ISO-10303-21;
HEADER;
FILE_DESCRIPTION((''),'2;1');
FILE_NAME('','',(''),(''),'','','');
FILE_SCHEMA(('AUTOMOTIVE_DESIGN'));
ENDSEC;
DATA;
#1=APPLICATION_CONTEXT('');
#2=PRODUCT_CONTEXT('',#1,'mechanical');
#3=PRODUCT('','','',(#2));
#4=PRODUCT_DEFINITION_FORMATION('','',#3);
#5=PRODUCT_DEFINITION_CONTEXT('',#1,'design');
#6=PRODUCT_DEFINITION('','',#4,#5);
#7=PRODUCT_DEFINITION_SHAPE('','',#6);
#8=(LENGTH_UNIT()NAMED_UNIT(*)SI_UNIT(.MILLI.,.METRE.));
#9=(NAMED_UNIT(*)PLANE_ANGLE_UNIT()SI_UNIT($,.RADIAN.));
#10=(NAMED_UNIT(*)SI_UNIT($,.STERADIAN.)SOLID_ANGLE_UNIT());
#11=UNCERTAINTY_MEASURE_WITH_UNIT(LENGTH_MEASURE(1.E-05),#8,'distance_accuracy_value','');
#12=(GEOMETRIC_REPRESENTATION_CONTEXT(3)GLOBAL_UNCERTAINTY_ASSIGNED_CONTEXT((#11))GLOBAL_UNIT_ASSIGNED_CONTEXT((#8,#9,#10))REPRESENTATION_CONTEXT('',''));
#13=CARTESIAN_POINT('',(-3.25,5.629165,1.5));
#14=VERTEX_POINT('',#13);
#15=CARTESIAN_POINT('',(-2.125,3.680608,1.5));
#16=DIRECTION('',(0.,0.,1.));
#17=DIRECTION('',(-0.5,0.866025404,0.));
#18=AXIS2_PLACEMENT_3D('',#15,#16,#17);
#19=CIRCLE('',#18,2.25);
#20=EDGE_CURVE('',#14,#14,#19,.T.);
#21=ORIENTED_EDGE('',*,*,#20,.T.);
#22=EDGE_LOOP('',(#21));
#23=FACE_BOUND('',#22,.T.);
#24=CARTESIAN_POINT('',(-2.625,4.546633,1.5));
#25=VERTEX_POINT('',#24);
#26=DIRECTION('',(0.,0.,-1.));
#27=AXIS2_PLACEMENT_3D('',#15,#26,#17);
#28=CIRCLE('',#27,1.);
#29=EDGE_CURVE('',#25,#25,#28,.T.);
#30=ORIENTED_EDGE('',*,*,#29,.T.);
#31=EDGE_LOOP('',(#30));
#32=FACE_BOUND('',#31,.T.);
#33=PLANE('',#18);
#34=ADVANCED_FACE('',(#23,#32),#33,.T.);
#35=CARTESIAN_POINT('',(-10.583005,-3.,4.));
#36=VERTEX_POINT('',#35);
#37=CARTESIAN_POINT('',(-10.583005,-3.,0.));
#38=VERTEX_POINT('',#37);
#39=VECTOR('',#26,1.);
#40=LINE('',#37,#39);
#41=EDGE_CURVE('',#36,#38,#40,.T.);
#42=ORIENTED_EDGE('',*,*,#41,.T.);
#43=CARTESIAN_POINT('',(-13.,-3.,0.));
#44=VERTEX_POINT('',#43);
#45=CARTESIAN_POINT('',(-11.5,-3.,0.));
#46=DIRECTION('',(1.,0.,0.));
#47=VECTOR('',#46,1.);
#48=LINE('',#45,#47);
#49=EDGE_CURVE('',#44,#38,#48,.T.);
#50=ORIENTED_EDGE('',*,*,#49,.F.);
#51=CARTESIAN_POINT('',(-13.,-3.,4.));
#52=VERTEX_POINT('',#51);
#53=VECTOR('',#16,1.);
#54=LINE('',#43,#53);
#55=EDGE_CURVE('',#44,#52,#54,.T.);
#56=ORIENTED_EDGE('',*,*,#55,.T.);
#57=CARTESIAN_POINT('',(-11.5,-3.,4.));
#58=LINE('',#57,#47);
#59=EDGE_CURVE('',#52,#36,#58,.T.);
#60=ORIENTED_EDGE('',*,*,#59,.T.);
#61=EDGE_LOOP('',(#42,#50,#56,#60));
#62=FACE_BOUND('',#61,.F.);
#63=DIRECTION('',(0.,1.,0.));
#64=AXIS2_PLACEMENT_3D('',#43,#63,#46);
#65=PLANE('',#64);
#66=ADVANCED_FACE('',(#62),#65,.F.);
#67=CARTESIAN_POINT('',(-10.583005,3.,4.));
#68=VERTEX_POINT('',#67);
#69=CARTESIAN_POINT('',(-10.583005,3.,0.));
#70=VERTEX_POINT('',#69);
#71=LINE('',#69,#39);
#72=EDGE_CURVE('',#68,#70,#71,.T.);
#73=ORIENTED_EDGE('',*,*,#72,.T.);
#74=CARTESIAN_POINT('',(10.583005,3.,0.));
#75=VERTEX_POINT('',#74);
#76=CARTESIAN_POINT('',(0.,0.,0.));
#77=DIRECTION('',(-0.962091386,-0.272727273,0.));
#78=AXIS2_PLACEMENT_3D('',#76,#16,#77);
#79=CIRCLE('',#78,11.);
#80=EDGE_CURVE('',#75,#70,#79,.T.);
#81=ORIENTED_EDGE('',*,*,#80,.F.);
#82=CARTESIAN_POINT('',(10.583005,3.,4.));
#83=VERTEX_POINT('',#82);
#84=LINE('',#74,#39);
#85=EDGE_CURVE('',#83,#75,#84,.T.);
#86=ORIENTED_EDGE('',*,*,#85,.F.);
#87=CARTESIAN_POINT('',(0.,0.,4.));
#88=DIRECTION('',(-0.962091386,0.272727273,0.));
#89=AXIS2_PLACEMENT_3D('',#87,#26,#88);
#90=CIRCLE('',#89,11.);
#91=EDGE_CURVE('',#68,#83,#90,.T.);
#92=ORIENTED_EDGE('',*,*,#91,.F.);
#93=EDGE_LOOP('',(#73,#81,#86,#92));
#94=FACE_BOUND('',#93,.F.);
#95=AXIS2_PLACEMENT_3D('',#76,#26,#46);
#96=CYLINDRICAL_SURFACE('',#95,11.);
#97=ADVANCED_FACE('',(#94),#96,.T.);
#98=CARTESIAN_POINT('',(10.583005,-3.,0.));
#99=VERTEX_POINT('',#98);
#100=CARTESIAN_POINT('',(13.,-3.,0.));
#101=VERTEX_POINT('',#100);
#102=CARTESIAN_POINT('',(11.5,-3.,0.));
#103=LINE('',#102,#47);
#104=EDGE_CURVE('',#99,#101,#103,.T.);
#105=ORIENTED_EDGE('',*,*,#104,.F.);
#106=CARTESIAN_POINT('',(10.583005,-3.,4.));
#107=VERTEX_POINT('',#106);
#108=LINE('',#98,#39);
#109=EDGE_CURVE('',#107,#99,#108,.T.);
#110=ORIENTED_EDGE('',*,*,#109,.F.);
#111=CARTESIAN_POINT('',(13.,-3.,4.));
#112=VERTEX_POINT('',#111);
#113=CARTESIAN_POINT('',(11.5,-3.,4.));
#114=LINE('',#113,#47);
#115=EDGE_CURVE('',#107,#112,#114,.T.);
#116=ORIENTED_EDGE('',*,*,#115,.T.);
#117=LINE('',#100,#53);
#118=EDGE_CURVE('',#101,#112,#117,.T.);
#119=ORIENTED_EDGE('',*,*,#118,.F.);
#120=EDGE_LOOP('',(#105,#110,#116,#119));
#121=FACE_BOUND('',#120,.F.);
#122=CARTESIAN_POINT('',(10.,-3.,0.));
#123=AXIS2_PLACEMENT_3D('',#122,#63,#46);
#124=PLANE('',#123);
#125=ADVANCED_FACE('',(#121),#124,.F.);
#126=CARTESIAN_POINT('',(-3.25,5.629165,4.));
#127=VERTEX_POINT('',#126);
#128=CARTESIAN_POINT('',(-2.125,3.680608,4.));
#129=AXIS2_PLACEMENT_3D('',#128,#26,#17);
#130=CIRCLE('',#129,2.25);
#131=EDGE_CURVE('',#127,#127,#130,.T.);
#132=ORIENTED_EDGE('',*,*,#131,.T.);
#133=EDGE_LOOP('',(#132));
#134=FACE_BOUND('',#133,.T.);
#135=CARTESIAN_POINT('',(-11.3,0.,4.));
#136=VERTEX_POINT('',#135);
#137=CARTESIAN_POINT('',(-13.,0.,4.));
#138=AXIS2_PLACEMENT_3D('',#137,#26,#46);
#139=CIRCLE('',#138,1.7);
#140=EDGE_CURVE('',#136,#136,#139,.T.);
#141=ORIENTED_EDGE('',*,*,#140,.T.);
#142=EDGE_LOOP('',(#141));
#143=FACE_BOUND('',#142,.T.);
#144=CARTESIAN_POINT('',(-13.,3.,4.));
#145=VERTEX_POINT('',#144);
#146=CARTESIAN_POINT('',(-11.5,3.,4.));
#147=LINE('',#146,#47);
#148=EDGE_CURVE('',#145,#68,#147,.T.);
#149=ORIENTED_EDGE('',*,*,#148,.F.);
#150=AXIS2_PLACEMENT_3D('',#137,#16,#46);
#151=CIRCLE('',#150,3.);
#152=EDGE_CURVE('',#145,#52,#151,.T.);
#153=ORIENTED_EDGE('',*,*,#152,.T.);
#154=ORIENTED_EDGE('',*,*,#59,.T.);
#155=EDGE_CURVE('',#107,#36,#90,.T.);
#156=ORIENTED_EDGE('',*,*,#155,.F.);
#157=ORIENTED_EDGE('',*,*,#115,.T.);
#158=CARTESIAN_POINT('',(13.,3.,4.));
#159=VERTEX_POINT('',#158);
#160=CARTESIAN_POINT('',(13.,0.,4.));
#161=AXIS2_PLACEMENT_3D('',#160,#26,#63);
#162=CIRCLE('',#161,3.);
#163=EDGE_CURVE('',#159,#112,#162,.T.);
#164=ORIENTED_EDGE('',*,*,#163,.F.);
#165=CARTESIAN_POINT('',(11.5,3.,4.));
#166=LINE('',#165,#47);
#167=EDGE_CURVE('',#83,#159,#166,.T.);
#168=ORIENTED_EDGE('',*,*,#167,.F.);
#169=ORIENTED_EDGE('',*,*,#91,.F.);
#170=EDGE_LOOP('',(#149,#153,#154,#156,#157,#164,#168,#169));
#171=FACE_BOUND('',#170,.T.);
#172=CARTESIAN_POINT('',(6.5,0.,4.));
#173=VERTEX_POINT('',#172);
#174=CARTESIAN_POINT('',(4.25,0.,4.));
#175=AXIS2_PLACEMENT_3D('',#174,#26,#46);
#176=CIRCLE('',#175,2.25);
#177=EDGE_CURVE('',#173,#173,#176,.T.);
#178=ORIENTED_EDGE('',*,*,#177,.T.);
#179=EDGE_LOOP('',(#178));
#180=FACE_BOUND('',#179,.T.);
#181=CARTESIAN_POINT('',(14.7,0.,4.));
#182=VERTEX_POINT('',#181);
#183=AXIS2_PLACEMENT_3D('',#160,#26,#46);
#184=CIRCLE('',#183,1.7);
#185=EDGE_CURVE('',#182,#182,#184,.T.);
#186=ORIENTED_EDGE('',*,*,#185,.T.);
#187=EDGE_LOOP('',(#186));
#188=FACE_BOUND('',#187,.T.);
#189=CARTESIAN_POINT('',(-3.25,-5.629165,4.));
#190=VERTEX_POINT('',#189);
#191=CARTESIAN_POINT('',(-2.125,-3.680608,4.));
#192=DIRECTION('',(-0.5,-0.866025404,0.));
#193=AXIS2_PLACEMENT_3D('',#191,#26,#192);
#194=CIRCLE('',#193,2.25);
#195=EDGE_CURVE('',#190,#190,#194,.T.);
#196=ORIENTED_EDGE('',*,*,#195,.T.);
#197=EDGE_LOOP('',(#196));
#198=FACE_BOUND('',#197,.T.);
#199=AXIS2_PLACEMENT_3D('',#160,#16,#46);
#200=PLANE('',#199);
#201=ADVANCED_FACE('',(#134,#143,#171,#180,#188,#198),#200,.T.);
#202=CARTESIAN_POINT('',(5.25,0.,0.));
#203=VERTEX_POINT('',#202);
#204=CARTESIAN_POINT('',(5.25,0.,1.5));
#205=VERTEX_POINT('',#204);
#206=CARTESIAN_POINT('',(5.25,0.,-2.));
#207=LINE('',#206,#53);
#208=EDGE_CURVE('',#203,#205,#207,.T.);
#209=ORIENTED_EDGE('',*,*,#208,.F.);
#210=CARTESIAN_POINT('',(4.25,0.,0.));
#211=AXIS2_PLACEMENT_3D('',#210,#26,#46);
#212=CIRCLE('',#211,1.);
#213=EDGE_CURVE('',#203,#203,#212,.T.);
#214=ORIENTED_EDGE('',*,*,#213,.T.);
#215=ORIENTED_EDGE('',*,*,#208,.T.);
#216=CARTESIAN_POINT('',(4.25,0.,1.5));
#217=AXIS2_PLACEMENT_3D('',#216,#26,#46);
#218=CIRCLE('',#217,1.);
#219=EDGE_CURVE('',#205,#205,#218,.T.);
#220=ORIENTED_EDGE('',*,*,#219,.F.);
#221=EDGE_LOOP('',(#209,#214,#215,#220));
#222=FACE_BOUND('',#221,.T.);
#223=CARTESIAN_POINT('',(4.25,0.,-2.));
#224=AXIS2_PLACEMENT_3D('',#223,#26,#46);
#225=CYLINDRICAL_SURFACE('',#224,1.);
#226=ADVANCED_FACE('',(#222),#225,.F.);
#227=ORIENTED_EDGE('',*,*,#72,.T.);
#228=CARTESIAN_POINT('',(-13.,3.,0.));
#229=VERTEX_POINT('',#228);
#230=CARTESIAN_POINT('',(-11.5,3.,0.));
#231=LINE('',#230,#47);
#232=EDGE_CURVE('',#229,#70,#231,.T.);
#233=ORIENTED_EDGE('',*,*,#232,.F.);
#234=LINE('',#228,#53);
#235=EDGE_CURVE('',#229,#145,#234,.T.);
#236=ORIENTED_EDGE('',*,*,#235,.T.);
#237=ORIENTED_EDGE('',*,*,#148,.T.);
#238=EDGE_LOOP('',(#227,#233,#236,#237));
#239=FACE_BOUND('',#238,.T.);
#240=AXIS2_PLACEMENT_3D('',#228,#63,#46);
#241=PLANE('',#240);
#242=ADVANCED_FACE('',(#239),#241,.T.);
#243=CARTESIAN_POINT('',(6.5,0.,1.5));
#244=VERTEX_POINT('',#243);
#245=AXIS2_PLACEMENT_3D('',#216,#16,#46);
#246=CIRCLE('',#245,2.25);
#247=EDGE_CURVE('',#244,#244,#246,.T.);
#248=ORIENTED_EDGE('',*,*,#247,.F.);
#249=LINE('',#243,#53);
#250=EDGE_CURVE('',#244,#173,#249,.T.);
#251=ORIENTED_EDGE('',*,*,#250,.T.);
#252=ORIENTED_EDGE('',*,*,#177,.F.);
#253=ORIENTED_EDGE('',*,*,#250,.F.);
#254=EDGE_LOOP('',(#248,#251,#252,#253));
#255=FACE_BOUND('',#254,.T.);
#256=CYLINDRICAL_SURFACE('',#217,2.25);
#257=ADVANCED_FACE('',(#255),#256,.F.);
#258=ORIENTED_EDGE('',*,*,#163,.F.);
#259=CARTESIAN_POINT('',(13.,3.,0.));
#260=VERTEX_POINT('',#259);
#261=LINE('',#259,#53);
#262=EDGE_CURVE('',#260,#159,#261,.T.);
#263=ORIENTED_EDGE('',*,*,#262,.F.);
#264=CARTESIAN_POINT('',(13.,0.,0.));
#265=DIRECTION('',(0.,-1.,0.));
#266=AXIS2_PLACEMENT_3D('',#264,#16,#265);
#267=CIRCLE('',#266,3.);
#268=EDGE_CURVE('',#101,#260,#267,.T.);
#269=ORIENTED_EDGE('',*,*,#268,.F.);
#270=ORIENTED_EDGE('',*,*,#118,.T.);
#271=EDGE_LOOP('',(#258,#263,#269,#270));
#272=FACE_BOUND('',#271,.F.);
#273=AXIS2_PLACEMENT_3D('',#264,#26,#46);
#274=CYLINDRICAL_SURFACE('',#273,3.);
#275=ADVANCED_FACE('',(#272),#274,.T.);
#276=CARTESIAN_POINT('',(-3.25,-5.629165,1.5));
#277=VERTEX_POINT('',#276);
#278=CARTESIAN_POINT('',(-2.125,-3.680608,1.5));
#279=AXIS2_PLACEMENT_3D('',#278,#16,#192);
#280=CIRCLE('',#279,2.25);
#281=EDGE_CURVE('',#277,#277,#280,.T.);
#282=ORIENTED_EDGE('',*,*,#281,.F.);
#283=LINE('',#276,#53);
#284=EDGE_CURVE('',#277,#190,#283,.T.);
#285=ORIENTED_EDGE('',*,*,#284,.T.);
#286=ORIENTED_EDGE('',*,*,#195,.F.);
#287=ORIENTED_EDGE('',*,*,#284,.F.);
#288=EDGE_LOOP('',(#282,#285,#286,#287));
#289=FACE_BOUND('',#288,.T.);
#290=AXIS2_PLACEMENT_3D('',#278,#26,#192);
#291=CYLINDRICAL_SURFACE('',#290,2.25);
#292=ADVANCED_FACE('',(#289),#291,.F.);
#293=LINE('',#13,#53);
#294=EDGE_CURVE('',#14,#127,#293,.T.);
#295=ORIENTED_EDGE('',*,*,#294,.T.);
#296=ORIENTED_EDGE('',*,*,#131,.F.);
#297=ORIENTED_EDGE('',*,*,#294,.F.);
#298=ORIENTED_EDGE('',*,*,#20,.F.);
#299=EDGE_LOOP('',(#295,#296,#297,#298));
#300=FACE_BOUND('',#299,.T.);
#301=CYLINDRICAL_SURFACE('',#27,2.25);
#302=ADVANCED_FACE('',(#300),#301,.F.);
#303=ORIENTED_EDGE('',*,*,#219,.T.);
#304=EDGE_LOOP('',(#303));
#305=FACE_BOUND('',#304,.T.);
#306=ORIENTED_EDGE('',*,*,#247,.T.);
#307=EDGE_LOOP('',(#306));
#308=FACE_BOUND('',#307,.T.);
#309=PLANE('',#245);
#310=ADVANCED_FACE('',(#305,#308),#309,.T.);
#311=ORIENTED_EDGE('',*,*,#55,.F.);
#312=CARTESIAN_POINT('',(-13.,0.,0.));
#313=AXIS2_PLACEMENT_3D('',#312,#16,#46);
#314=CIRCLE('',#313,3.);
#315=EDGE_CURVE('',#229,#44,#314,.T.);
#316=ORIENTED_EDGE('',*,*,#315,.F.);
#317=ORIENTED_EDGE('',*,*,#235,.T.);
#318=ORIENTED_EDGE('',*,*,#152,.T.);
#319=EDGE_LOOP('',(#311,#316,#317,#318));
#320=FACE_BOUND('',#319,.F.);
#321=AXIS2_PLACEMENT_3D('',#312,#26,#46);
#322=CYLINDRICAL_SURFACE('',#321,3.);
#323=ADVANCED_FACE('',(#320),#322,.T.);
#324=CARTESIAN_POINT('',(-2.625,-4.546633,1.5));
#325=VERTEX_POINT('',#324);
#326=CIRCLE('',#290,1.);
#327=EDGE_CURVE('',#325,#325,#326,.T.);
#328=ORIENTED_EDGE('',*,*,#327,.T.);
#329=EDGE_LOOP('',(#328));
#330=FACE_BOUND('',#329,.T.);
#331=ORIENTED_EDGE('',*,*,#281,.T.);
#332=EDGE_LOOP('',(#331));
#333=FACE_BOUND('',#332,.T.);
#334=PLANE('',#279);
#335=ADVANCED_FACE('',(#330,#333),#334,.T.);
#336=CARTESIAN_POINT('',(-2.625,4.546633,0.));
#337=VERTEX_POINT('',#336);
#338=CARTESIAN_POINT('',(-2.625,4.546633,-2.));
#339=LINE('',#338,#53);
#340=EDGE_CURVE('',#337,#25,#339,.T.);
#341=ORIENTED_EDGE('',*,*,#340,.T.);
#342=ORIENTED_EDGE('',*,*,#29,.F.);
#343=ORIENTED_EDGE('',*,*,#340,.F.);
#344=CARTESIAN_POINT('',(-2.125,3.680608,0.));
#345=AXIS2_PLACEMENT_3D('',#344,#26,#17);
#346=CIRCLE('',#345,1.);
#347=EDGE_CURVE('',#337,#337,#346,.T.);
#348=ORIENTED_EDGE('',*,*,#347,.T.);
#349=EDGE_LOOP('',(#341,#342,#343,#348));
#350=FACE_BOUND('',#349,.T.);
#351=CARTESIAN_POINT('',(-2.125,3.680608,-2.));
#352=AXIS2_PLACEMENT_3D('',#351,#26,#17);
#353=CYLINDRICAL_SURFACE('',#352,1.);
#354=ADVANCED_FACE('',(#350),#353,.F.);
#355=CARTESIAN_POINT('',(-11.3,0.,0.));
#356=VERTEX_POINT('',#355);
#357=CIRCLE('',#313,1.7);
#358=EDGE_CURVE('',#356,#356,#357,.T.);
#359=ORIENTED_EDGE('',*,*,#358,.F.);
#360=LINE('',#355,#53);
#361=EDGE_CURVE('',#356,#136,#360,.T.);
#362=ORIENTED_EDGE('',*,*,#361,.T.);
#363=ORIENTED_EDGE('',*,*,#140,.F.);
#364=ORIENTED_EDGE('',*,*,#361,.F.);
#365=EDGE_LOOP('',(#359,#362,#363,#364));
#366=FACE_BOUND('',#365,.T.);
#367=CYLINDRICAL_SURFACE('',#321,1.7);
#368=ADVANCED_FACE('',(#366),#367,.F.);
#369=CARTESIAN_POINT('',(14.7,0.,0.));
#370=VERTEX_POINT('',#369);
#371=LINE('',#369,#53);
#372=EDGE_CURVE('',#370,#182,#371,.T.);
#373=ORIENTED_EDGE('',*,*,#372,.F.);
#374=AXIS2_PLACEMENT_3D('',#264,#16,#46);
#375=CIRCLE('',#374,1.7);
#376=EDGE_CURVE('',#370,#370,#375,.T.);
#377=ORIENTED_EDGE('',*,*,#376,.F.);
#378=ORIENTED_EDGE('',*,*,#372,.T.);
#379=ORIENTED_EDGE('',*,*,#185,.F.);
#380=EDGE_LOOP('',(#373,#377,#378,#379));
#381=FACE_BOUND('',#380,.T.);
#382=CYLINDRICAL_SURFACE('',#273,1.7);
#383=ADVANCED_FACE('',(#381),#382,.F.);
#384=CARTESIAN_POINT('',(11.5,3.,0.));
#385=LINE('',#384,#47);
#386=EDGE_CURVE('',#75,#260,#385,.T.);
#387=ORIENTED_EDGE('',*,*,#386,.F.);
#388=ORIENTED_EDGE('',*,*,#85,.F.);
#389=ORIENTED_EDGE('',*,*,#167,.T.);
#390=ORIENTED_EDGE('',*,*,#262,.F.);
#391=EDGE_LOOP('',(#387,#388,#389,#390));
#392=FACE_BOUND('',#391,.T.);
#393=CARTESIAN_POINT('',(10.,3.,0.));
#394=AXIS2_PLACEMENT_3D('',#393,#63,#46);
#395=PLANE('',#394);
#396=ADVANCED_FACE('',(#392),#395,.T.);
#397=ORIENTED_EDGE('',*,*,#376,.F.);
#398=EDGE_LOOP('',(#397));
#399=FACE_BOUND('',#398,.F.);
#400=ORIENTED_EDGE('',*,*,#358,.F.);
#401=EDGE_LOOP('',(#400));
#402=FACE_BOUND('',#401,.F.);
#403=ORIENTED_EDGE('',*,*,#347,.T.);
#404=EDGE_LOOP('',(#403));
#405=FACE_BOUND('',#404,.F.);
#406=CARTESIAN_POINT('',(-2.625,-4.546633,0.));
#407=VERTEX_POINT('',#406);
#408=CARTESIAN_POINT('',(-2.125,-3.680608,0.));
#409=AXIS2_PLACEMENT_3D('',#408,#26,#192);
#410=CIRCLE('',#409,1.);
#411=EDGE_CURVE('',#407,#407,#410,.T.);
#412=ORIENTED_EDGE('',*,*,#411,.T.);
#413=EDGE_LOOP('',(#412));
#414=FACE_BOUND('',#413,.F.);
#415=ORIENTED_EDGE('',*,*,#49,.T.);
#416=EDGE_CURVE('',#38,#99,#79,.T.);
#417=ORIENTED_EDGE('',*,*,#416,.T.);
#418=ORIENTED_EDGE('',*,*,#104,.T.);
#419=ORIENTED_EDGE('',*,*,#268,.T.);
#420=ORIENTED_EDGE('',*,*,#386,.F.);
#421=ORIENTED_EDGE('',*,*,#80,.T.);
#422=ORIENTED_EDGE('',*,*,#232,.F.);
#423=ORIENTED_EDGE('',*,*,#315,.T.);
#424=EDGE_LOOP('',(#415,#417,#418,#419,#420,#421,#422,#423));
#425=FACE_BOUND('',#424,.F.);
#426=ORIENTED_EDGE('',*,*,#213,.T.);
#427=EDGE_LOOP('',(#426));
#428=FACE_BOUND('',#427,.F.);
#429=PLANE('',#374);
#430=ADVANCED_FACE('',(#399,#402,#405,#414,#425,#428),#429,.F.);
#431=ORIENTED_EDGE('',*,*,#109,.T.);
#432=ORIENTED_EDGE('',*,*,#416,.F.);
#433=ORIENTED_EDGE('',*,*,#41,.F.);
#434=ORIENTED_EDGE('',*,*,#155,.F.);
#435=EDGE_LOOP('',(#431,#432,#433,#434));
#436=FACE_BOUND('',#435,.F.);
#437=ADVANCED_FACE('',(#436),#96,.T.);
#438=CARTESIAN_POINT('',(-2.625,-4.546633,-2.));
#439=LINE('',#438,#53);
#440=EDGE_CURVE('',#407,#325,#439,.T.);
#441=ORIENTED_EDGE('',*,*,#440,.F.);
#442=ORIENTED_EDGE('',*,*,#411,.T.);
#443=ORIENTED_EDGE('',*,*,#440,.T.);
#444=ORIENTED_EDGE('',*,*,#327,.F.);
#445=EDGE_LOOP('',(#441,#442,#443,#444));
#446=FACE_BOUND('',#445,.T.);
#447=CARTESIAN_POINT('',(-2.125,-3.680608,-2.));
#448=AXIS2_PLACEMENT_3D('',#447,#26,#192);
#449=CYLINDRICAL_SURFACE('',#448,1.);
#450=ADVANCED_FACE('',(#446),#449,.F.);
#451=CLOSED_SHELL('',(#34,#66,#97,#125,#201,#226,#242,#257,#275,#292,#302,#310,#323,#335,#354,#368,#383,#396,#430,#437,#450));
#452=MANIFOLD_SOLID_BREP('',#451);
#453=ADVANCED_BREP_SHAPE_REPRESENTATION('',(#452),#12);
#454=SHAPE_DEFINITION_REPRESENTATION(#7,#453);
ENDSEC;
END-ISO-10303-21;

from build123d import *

# Parameters (mm, degrees)
CYLINDER150_R     = 1.7
CYLINDER150_DEPTH = 11
CYLINDER151_R     = 1.7
CYLINDER151_DEPTH = 11
CYLINDER157_R     = 2.25
CYLINDER157_DEPTH = 8
CYLINDER156_R     = 1
CYLINDER156_DEPTH = 5
CYLINDER147_R     = 1
CYLINDER147_DEPTH = 1
ARRAY_COUNT       = 3
BOX_W             = 3
BOX_H             = 6
BOX_DEPTH         = 4
CYLINDER153_R     = 11
CYLINDER153_DEPTH = 4
BOX001_W          = 3
BOX001_H          = 6
BOX001_DEPTH      = 4
CYLINDER158_R     = 3
CYLINDER158_DEPTH = 4
CYLINDER_R        = 3
CYLINDER_DEPTH    = 4


with BuildPart() as wirefeedsmount1:
    # Cylinder150 → Cylinder150 (new body)
    with BuildSketch(Plane(origin=(-13, 0, 0), x_dir=(1, 0, 0), z_dir=(0, 0, 1))):
        Circle(CYLINDER150_R)
    extrude(amount=CYLINDER150_DEPTH)


with BuildPart() as wirefeedsmount002:
    # Cylinder151 → Cylinder151 (new body)
    with BuildSketch(Plane(origin=(13, 0, 0), x_dir=(1, 0, 0), z_dir=(0, 0, 1))):
        Circle(CYLINDER151_R)
    extrude(amount=CYLINDER151_DEPTH)


with BuildPart() as sealsubtraction:
    # Cylinder157 → Cylinder157 (new body)
    with BuildSketch(Plane.XY.offset(1.5)):
        Circle(CYLINDER157_R)
    extrude(amount=CYLINDER157_DEPTH)


with BuildPart() as bottomwireoutlet:
    # Cylinder156 → Cylinder156 (new body)
    with BuildSketch(Plane.XY.offset(-2)):
        Circle(CYLINDER156_R)
    extrude(amount=CYLINDER156_DEPTH)


with BuildPart() as fusion013:
    # Cylinder147 → Cylinder147 (new body)
    with BuildSketch(Plane.XY.offset(4.5)):
        Circle(CYLINDER147_R)
    extrude(amount=CYLINDER147_DEPTH)

    # Fusion: union SealSubtraction, BottomWireOutlet
    add(sealsubtraction.part)
    add(bottomwireoutlet.part)


with BuildPart() as fusion013_1:
    # Fusion placement: moved
    add(fusion013.part.moved(Location((4.25, 0, 0))))

    # Array: Fusion013 ×3 about axis
    array_axis = Axis((0, 0, 0), (0, 0, 1))


with BuildPart() as fusion013_2:
    add(fusion013_1.part)
    for i in range(1, ARRAY_COUNT):
        add(fusion013_1.part.rotate(array_axis, i * 360 / ARRAY_COUNT))

    # Fusion013: union WireFeedsMount1, WireFeedsMount002
    add(wirefeedsmount1.part)
    add(wirefeedsmount002.part)


with BuildPart() as mountcube1:
    # Box → Box (new body)
    with BuildSketch(Plane(origin=(-13, -3, 0), x_dir=(1, 0, 0), z_dir=(0, 0, 1))):
        with Locations((1.5, 3)):
            Rectangle(BOX_W, BOX_H)
    extrude(amount=BOX_DEPTH)


with BuildPart() as body:
    # Cylinder153 → Cylinder153 (new body)
    with BuildSketch(Plane.XY):
        Circle(CYLINDER153_R)
    extrude(amount=CYLINDER153_DEPTH)


with BuildPart() as mountcube002:
    # Box001 → Box001 (new body)
    with BuildSketch(Plane(origin=(10, -3, 0), x_dir=(1, 0, 0), z_dir=(0, 0, 1))):
        with Locations((1.5, 3)):
            Rectangle(BOX001_W, BOX001_H)
    extrude(amount=BOX001_DEPTH)


with BuildPart() as mountflange002:
    # Cylinder158 → Cylinder158 (new body)
    with BuildSketch(Plane(origin=(13, 0, 0), x_dir=(1, 0, 0), z_dir=(0, 0, 1))):
        Circle(CYLINDER158_R)
    extrude(amount=CYLINDER158_DEPTH)


with BuildPart() as cut:
    # Cylinder → Cylinder (new body)
    with BuildSketch(Plane(origin=(-13, 0, 0), x_dir=(1, 0, 0), z_dir=(0, 0, 1))):
        Circle(CYLINDER_R)
    extrude(amount=CYLINDER_DEPTH)

    # Fusion012: union MountCube1, Body, MountCube002, MountFlange002
    add(mountcube1.part)
    add(body.part)
    add(mountcube002.part)
    add(mountflange002.part)

    # Cut: cut Fusion013
    add(fusion013_2.part, mode=Mode.SUBTRACT)


solid = cut.part
